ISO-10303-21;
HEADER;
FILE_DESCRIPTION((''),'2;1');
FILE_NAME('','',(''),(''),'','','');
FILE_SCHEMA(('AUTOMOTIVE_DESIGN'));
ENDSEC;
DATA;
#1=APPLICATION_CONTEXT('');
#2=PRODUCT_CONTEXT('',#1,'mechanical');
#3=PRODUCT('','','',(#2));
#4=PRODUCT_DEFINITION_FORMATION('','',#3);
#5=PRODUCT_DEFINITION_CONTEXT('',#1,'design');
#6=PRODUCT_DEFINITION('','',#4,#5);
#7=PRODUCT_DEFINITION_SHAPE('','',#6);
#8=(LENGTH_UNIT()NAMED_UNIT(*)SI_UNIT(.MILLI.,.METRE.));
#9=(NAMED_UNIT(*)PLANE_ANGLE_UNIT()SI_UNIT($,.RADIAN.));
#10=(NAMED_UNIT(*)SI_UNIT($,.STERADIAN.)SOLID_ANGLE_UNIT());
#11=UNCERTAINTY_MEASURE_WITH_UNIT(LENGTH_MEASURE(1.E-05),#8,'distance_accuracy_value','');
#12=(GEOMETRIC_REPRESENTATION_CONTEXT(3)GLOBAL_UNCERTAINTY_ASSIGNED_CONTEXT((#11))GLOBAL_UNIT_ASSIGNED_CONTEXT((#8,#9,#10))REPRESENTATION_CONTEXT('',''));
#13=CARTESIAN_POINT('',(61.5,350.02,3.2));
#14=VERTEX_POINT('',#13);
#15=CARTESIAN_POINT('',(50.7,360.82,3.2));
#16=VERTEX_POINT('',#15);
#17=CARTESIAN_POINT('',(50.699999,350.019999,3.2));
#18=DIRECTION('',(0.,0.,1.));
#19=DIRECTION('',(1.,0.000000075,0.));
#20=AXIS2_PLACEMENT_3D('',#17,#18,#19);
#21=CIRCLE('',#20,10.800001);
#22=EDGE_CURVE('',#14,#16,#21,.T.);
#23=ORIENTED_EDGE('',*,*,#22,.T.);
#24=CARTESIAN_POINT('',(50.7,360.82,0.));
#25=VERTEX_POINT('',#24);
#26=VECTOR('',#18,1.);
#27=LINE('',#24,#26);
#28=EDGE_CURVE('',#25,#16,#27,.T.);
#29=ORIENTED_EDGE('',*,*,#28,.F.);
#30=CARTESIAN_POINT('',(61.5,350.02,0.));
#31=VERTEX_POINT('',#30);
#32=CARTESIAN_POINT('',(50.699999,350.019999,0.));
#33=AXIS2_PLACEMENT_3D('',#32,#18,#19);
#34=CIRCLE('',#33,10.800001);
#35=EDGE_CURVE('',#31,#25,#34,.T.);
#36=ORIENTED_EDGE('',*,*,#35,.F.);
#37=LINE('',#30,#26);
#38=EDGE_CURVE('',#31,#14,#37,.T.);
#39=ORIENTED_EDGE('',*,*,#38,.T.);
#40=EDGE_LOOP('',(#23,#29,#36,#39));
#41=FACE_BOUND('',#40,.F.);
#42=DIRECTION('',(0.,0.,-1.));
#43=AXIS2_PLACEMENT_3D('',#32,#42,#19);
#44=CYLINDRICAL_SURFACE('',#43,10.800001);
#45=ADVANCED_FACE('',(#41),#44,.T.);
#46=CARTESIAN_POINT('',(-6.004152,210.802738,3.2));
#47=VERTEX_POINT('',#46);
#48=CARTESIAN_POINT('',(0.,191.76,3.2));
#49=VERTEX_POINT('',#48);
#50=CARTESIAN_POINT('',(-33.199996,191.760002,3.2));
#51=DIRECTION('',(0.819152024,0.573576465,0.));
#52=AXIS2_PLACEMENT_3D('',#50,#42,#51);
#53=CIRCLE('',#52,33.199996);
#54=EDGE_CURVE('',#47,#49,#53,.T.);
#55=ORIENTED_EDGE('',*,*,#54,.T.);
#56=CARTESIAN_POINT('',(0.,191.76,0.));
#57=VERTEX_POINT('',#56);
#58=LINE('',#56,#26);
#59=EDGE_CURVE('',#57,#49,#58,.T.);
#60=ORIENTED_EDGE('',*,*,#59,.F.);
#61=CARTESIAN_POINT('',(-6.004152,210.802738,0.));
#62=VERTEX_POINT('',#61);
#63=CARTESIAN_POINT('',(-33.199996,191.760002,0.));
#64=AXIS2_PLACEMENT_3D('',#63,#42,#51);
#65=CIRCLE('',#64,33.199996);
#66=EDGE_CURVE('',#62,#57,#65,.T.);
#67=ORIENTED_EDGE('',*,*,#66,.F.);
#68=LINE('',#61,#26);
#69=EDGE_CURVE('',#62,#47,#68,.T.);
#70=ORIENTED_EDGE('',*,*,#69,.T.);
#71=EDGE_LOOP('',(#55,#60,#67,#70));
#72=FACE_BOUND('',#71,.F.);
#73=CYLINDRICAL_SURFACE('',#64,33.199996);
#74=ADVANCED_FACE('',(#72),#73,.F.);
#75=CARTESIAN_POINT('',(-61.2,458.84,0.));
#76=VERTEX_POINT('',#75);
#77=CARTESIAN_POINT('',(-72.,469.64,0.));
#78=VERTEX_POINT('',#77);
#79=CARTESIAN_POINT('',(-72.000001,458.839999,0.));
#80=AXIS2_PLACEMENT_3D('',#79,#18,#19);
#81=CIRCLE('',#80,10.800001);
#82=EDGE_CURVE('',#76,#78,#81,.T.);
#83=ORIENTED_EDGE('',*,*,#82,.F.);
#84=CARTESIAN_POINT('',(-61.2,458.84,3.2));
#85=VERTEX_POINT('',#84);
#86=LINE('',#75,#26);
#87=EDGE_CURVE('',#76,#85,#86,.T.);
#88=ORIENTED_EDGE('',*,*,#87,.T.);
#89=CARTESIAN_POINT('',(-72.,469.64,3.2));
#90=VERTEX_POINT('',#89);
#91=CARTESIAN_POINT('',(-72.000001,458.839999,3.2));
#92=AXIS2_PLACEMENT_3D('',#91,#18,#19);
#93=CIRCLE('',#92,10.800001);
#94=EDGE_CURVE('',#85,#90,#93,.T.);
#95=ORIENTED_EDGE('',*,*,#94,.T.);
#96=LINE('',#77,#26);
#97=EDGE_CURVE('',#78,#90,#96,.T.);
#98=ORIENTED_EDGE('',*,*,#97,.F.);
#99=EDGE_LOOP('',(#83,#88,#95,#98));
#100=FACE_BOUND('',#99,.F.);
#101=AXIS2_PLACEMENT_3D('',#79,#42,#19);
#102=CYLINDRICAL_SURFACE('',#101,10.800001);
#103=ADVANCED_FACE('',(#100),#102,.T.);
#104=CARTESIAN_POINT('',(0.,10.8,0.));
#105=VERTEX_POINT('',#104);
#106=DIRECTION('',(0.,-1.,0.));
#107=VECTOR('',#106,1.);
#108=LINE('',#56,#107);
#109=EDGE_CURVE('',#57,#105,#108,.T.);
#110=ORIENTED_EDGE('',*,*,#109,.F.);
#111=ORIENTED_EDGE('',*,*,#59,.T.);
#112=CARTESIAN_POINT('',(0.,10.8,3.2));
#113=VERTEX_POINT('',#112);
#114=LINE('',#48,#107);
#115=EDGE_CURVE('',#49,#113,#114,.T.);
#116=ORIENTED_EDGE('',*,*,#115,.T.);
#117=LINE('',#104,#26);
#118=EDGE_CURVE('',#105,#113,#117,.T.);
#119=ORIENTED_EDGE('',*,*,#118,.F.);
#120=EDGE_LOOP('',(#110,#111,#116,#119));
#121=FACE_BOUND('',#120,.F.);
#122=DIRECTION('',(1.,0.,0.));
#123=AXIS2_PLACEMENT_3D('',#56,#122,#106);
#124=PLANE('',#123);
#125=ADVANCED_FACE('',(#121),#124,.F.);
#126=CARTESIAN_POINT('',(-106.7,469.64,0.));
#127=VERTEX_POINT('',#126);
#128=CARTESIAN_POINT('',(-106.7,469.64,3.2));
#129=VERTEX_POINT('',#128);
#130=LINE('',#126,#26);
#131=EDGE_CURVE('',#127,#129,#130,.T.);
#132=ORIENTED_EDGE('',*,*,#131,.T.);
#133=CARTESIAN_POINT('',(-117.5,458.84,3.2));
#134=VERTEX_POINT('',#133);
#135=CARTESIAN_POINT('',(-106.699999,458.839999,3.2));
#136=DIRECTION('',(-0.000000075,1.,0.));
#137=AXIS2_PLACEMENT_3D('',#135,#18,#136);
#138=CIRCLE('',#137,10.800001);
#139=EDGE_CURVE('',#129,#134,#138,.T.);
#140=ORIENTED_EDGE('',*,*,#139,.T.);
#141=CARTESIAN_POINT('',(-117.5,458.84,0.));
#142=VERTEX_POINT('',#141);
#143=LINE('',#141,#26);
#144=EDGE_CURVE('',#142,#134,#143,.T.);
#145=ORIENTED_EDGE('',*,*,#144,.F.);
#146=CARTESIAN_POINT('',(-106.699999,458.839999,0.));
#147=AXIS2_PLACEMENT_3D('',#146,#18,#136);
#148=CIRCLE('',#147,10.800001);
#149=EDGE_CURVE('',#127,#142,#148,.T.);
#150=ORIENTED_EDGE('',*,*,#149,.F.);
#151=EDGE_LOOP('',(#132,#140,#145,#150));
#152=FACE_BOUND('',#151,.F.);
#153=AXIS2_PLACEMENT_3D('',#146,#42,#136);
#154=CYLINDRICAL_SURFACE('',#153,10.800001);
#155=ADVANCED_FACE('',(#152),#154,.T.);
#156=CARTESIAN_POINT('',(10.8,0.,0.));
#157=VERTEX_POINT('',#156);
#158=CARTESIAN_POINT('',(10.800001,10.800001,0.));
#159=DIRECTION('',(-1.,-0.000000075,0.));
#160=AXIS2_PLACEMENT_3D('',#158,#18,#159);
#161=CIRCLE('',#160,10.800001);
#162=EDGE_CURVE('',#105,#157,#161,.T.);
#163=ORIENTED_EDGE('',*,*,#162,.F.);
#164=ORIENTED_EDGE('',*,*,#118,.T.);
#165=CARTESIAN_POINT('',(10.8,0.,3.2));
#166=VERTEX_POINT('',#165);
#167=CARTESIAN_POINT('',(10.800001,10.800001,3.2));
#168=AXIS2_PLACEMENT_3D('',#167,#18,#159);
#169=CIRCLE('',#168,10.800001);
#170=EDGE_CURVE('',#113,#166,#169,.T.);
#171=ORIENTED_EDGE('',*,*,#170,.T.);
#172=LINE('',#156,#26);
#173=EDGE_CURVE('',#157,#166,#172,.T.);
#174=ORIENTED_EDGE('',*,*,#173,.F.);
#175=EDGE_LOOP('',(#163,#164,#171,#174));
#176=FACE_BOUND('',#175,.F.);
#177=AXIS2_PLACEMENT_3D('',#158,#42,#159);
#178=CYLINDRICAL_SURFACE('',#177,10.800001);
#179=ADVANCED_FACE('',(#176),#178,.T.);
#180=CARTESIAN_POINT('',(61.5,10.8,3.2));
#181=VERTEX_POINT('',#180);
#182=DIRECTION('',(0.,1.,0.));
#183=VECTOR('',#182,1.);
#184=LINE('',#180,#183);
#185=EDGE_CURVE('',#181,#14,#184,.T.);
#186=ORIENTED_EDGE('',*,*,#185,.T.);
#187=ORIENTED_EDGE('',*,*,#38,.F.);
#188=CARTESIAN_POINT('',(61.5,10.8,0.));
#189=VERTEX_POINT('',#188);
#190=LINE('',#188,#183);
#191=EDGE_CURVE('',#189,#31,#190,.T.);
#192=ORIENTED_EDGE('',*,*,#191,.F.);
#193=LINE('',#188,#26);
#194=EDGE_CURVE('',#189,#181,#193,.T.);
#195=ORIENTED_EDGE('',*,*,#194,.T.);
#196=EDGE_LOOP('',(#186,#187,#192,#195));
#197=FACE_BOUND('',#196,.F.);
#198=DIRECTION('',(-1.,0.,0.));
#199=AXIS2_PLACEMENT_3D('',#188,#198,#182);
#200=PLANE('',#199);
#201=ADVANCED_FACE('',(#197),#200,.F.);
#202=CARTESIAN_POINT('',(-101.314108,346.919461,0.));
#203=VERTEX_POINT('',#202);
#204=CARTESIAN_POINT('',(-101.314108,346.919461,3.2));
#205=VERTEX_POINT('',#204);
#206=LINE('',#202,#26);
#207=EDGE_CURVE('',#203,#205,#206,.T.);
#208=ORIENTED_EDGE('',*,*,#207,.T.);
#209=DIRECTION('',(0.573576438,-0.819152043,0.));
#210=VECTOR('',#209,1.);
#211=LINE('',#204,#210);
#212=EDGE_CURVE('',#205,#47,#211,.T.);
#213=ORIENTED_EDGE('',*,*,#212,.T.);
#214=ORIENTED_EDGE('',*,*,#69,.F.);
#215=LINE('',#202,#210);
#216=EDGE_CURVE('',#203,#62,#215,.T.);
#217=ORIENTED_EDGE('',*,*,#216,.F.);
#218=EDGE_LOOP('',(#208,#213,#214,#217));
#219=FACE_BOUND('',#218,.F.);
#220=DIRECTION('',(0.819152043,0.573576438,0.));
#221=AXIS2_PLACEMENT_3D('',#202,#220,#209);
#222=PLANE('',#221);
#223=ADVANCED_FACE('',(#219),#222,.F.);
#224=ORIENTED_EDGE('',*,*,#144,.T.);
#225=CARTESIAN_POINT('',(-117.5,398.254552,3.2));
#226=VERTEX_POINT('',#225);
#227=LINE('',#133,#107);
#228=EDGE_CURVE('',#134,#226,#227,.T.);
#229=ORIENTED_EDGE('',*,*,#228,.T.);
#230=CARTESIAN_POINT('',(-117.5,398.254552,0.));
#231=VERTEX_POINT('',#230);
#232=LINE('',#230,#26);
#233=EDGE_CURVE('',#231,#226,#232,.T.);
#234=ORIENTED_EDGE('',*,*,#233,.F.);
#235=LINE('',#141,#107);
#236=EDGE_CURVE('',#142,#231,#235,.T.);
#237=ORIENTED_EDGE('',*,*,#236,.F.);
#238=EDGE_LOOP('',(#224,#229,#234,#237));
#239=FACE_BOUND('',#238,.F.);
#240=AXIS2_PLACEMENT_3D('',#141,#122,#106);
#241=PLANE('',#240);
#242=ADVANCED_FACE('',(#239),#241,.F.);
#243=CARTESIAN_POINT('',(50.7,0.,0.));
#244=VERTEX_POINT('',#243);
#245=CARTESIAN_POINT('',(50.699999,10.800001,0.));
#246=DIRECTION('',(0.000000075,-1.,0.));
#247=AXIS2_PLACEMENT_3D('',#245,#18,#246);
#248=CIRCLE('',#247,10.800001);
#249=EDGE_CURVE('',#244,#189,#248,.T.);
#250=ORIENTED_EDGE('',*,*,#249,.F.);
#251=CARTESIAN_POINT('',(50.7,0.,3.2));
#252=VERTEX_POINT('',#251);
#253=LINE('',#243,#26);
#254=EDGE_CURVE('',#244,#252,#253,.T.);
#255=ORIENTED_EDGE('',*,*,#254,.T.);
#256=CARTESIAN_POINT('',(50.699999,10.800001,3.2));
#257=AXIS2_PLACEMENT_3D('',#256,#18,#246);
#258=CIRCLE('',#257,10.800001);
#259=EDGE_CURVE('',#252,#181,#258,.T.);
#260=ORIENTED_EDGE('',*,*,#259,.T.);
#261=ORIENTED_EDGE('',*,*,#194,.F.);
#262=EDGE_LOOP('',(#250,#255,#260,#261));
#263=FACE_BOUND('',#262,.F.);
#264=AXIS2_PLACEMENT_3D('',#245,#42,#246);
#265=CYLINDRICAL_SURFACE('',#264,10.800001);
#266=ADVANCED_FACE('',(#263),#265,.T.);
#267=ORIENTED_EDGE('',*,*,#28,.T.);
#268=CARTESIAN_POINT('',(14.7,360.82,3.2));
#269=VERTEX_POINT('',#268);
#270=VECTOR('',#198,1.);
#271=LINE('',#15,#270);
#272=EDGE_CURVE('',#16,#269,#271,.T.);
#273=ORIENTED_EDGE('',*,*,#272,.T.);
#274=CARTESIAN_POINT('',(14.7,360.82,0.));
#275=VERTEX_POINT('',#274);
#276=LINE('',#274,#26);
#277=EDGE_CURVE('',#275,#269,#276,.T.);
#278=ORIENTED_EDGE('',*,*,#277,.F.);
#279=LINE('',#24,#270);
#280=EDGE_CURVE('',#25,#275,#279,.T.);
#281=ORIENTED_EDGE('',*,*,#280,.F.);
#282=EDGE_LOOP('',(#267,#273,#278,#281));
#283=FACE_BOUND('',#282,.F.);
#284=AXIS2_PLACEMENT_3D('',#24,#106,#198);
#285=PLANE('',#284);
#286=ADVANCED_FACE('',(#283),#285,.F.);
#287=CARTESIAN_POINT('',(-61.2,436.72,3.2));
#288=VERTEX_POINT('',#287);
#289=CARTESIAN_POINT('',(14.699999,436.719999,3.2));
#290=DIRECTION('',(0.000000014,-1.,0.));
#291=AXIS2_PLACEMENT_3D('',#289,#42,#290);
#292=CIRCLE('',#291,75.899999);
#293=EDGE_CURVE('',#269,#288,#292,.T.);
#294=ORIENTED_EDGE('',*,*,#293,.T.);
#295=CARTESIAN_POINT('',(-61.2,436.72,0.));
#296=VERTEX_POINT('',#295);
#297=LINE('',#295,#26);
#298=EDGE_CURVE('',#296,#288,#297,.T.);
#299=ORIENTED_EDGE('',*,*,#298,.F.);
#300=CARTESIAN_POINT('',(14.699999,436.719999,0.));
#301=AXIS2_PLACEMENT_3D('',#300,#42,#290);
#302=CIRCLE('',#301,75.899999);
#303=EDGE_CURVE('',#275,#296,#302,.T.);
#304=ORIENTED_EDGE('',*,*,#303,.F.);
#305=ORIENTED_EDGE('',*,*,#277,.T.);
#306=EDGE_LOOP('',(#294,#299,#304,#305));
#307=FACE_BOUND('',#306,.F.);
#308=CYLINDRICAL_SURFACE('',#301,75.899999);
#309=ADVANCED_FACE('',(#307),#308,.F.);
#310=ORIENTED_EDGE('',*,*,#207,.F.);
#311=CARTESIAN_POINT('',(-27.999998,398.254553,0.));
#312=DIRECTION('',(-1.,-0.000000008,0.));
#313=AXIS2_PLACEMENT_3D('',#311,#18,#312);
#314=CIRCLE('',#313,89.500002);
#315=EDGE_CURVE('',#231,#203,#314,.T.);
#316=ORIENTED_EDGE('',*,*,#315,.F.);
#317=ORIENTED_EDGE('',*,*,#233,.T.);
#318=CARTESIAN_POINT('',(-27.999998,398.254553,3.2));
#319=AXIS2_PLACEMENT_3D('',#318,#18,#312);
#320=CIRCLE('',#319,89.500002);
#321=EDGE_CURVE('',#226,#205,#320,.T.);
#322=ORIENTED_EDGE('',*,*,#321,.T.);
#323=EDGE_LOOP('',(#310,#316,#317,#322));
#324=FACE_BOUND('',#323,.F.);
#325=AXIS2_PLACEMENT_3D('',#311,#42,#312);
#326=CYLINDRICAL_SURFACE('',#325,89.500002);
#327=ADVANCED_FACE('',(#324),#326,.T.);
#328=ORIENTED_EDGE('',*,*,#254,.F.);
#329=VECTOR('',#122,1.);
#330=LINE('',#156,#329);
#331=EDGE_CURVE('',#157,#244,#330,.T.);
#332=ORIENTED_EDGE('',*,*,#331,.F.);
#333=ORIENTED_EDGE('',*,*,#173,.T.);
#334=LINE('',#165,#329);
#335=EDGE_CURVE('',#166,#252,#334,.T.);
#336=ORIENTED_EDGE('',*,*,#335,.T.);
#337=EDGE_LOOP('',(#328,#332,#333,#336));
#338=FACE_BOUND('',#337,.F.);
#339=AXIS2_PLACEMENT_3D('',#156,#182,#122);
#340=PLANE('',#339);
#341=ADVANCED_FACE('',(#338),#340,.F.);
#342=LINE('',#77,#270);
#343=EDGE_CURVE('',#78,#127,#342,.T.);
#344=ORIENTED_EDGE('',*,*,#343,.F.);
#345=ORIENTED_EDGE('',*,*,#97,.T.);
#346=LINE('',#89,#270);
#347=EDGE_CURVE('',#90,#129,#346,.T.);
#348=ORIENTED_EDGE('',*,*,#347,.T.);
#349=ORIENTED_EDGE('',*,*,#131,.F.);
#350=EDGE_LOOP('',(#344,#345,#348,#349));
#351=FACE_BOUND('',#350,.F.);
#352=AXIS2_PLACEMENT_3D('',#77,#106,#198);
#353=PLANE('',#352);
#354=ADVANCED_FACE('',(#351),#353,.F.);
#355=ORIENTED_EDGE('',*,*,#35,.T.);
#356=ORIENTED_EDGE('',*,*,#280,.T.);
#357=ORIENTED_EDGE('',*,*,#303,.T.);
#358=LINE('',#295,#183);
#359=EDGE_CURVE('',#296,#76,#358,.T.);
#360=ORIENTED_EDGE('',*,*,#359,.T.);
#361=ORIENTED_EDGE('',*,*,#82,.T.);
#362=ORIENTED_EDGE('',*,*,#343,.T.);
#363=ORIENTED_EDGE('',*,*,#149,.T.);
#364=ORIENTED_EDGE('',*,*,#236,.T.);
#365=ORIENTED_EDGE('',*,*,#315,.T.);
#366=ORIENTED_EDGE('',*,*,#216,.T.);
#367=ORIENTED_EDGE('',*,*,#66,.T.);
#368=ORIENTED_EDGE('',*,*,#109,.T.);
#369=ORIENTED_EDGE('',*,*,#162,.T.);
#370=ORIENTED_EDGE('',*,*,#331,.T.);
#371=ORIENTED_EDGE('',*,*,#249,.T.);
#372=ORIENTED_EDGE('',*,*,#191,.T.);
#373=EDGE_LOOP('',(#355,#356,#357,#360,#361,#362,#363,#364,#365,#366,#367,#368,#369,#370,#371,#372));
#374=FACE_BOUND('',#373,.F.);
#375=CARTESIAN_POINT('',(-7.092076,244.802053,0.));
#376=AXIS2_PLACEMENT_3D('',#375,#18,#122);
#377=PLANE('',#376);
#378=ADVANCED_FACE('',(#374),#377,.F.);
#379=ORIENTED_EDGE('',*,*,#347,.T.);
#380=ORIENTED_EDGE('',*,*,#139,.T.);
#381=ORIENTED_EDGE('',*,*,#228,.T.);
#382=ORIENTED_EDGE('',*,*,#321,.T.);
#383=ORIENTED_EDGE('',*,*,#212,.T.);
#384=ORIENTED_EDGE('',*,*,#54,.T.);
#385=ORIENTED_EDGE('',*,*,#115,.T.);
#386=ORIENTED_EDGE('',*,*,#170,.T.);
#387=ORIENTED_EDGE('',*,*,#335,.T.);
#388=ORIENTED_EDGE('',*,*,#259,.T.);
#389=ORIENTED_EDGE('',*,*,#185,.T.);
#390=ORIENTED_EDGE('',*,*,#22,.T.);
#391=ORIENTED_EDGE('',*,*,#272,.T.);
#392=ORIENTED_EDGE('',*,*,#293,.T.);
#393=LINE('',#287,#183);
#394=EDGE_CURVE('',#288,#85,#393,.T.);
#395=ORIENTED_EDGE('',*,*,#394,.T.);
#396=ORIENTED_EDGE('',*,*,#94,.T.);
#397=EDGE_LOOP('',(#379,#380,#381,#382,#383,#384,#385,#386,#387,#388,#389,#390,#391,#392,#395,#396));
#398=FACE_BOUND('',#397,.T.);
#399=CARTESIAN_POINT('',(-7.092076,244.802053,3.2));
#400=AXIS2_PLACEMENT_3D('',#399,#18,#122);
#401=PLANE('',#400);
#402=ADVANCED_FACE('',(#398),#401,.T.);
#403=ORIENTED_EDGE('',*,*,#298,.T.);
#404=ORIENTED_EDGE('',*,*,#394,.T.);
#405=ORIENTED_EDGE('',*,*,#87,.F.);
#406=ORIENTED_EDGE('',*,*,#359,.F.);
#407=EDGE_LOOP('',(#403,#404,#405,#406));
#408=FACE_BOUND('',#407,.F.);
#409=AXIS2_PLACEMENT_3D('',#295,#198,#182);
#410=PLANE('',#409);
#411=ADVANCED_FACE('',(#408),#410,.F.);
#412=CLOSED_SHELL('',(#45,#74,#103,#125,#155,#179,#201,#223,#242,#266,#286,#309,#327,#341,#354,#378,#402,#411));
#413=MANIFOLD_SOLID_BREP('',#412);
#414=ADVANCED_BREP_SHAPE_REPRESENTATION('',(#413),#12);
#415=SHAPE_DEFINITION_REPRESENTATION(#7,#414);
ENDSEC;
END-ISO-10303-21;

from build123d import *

# Parameters (mm, degrees)
F1_DEPTH = 3.2


with BuildPart() as f1:
    # F0 (on Top) → F1 (new body)
    with BuildSketch(Plane.XY):
        with BuildLine():
            Line((0, 191.76), (0, 10.8))
            ThreePointArc((0, 10.8), (3.163247, 3.163247), (10.8, 0))
            Line((10.8, 0), (50.7, 0))
            ThreePointArc((50.7, 0), (58.336753, 3.163247), (61.5, 10.8))
            Line((61.5, 10.8), (61.5, 350.02))
            ThreePointArc((61.5, 350.02), (58.336753, 357.656753), (50.7, 360.82))
            Line((50.7, 360.82), (14.7, 360.82))
            ThreePointArc((14.7, 360.82), (-38.969405, 383.050595), (-61.2, 436.72))
            Line((-61.2, 436.72), (-61.2, 458.84))
            ThreePointArc((-61.2, 458.84), (-64.363247, 466.476753), (-72, 469.64))
            Line((-72, 469.64), (-106.7, 469.64))
            ThreePointArc((-106.7, 469.64), (-114.336753, 466.476753), (-117.5, 458.84))
            Line((-117.5, 458.84), (-117.5, 398.254552))
            ThreePointArc((-117.5, 398.254552), (-113.357667, 371.341383), (-101.314108, 346.919461))
            Line((-101.314108, 346.919461), (-6.004152, 210.802738))
            ThreePointArc((-6.004152, 210.802738), (-1.536597, 201.743433), (0, 191.76))
        make_face()
    extrude(amount=F1_DEPTH)


solid = f1.part
